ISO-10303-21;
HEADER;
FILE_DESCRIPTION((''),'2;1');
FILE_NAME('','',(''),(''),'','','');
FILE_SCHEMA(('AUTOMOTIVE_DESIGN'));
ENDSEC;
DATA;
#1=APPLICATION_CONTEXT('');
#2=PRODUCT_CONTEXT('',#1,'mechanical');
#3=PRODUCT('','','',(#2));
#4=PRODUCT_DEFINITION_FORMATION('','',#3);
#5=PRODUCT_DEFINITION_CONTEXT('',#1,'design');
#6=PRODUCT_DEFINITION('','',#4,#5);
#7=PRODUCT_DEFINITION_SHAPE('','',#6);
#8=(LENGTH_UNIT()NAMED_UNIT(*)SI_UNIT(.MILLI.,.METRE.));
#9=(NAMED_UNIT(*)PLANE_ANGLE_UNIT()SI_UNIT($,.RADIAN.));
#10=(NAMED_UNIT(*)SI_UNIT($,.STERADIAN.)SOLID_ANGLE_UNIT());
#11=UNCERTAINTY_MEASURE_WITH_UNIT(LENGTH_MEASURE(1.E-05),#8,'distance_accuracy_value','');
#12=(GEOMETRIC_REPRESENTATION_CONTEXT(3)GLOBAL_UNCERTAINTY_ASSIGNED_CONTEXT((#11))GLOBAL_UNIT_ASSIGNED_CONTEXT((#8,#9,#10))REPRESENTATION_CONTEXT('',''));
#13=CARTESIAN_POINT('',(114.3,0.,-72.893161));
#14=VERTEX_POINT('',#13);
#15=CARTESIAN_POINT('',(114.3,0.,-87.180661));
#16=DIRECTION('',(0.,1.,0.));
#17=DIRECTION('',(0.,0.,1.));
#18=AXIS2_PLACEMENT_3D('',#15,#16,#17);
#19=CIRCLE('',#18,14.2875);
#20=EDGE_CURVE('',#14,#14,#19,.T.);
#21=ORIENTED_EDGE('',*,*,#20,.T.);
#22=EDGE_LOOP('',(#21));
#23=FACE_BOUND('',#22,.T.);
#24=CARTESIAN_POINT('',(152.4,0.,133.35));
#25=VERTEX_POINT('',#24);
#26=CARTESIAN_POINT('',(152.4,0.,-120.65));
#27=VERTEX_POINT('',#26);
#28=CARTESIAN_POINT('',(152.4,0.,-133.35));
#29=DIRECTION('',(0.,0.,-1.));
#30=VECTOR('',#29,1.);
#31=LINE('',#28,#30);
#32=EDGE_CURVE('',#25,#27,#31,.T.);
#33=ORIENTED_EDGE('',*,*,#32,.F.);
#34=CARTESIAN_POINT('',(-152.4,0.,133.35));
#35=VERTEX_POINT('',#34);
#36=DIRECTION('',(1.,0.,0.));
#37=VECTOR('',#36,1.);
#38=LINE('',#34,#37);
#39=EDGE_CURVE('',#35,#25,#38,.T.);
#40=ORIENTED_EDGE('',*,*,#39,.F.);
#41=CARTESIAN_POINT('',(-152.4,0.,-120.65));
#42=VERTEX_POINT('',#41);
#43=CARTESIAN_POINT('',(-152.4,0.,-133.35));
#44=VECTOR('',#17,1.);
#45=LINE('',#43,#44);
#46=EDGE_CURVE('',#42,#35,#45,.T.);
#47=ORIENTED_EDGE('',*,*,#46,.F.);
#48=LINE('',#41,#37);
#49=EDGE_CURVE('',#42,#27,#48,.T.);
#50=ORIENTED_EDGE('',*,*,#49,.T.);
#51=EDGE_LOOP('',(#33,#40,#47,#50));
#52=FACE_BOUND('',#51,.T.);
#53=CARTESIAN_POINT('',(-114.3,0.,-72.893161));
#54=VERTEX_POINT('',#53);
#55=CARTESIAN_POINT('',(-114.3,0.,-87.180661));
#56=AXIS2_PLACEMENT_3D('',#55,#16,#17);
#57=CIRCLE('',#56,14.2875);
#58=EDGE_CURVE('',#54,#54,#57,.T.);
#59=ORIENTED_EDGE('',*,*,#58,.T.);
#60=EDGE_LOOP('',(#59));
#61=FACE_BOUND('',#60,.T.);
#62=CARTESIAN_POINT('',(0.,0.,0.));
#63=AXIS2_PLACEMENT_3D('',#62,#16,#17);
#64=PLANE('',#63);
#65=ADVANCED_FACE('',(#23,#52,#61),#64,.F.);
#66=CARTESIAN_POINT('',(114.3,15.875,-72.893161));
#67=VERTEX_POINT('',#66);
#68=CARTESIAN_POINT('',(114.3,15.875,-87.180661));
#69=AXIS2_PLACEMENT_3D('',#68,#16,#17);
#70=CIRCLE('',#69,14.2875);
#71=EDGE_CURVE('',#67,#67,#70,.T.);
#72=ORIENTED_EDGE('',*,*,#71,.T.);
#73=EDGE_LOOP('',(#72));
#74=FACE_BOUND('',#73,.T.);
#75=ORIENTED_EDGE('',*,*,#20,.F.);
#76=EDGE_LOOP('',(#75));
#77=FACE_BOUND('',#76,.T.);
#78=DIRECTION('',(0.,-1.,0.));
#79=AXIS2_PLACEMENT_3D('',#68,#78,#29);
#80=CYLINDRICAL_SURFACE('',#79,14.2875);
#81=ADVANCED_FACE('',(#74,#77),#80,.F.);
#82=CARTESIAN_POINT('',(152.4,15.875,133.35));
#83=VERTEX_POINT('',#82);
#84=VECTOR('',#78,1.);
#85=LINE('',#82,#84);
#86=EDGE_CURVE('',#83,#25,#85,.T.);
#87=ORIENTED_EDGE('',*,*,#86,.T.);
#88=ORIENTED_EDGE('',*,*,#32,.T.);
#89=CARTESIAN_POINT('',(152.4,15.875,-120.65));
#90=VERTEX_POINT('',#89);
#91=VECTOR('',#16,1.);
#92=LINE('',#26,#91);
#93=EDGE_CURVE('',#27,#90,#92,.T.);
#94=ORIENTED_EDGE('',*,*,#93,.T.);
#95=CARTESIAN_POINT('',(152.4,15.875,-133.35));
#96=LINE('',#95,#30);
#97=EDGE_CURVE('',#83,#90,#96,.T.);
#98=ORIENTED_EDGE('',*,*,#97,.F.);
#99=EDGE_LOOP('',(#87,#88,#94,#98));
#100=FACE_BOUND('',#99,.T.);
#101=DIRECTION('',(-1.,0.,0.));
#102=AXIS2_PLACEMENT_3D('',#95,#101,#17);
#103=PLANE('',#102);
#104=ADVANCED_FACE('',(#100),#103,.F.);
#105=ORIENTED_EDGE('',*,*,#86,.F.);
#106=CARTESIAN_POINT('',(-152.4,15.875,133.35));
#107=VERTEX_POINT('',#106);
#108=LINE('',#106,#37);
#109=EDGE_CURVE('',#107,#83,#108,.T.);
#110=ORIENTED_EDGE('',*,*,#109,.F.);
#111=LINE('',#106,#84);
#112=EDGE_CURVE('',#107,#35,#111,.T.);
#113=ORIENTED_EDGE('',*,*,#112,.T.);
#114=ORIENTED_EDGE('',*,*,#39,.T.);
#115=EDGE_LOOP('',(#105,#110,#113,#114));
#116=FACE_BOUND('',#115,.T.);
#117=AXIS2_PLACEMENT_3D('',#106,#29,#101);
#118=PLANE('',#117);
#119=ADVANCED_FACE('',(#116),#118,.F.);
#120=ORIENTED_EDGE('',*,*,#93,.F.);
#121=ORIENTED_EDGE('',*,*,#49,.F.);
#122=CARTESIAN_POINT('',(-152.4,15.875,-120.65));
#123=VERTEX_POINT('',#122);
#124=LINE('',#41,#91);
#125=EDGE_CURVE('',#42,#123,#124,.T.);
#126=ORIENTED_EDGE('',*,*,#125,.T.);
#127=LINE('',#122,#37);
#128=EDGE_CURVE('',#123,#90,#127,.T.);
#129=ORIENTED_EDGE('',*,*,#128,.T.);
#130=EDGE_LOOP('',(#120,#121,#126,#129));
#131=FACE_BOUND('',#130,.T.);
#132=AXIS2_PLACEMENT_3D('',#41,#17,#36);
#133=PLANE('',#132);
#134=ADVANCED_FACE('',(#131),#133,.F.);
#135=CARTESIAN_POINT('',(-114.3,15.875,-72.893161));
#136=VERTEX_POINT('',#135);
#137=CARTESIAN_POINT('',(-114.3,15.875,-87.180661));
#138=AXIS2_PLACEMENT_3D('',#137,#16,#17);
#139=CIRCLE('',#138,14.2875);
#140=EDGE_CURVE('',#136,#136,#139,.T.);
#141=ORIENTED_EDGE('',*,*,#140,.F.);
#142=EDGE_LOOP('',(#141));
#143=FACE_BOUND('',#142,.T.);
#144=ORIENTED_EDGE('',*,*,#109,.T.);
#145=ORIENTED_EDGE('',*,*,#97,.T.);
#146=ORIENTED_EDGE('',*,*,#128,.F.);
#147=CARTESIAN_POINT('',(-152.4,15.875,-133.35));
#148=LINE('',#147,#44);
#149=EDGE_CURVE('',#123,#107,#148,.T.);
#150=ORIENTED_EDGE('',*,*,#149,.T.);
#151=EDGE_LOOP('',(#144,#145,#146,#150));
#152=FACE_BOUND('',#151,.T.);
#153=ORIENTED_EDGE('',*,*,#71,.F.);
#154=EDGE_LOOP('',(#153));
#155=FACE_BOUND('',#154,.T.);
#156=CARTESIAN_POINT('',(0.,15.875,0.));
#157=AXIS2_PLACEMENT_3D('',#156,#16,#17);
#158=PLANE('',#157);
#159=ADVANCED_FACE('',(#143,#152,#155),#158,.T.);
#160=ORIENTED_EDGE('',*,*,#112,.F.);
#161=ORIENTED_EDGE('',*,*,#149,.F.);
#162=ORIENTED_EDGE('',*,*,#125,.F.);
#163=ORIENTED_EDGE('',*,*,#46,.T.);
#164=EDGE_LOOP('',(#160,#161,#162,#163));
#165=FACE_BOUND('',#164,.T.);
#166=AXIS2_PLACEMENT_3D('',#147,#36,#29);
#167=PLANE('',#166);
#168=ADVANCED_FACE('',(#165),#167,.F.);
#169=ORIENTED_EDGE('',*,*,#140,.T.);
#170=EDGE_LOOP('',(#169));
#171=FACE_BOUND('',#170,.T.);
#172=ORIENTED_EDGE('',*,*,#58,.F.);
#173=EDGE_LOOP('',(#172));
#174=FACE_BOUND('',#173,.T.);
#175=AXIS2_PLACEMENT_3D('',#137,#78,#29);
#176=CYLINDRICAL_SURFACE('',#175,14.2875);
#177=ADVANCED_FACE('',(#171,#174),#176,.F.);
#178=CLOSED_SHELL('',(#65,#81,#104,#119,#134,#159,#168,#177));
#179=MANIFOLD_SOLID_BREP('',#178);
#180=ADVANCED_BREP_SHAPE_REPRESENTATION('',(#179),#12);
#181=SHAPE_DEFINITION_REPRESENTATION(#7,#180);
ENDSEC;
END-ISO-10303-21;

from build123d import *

# Parameters (mm, degrees)
SKETCH1_W           = 304.8
SKETCH1_H           = 266.7
SKETCH1_R           = 14.2875
BOSS_EXTRUDE1_DEPTH = 15.875
SKETCH2_W           = 304.8
SKETCH2_H           = 12.7
CUT_EXTRUDE1_DEPTH  = 16.875


with BuildPart() as part:
    # Sketch1 → Boss-Extrude1 (new body)
    with BuildSketch(Plane(origin=(0, 0, 0), x_dir=(1, 0, 0), z_dir=(0, 1, 0))):
        Rectangle(SKETCH1_W, SKETCH1_H)
        with Locations((-114.3, 87.180661253)):
            Circle(SKETCH1_R, mode=Mode.SUBTRACT)
        with Locations((114.3, 87.180661253)):
            Circle(SKETCH1_R, mode=Mode.SUBTRACT)
    extrude(amount=BOSS_EXTRUDE1_DEPTH)

    # Sketch2 → Cut-Extrude1 (cut, through all)
    with BuildSketch(Plane(origin=(0, 15.875, 0), x_dir=(1, 0, 0), z_dir=(0, 1, 0))):
        with Locations((0, 127)):
            Rectangle(SKETCH2_W, SKETCH2_H)
    extrude(amount=-CUT_EXTRUDE1_DEPTH, mode=Mode.SUBTRACT)


solid = part.part
